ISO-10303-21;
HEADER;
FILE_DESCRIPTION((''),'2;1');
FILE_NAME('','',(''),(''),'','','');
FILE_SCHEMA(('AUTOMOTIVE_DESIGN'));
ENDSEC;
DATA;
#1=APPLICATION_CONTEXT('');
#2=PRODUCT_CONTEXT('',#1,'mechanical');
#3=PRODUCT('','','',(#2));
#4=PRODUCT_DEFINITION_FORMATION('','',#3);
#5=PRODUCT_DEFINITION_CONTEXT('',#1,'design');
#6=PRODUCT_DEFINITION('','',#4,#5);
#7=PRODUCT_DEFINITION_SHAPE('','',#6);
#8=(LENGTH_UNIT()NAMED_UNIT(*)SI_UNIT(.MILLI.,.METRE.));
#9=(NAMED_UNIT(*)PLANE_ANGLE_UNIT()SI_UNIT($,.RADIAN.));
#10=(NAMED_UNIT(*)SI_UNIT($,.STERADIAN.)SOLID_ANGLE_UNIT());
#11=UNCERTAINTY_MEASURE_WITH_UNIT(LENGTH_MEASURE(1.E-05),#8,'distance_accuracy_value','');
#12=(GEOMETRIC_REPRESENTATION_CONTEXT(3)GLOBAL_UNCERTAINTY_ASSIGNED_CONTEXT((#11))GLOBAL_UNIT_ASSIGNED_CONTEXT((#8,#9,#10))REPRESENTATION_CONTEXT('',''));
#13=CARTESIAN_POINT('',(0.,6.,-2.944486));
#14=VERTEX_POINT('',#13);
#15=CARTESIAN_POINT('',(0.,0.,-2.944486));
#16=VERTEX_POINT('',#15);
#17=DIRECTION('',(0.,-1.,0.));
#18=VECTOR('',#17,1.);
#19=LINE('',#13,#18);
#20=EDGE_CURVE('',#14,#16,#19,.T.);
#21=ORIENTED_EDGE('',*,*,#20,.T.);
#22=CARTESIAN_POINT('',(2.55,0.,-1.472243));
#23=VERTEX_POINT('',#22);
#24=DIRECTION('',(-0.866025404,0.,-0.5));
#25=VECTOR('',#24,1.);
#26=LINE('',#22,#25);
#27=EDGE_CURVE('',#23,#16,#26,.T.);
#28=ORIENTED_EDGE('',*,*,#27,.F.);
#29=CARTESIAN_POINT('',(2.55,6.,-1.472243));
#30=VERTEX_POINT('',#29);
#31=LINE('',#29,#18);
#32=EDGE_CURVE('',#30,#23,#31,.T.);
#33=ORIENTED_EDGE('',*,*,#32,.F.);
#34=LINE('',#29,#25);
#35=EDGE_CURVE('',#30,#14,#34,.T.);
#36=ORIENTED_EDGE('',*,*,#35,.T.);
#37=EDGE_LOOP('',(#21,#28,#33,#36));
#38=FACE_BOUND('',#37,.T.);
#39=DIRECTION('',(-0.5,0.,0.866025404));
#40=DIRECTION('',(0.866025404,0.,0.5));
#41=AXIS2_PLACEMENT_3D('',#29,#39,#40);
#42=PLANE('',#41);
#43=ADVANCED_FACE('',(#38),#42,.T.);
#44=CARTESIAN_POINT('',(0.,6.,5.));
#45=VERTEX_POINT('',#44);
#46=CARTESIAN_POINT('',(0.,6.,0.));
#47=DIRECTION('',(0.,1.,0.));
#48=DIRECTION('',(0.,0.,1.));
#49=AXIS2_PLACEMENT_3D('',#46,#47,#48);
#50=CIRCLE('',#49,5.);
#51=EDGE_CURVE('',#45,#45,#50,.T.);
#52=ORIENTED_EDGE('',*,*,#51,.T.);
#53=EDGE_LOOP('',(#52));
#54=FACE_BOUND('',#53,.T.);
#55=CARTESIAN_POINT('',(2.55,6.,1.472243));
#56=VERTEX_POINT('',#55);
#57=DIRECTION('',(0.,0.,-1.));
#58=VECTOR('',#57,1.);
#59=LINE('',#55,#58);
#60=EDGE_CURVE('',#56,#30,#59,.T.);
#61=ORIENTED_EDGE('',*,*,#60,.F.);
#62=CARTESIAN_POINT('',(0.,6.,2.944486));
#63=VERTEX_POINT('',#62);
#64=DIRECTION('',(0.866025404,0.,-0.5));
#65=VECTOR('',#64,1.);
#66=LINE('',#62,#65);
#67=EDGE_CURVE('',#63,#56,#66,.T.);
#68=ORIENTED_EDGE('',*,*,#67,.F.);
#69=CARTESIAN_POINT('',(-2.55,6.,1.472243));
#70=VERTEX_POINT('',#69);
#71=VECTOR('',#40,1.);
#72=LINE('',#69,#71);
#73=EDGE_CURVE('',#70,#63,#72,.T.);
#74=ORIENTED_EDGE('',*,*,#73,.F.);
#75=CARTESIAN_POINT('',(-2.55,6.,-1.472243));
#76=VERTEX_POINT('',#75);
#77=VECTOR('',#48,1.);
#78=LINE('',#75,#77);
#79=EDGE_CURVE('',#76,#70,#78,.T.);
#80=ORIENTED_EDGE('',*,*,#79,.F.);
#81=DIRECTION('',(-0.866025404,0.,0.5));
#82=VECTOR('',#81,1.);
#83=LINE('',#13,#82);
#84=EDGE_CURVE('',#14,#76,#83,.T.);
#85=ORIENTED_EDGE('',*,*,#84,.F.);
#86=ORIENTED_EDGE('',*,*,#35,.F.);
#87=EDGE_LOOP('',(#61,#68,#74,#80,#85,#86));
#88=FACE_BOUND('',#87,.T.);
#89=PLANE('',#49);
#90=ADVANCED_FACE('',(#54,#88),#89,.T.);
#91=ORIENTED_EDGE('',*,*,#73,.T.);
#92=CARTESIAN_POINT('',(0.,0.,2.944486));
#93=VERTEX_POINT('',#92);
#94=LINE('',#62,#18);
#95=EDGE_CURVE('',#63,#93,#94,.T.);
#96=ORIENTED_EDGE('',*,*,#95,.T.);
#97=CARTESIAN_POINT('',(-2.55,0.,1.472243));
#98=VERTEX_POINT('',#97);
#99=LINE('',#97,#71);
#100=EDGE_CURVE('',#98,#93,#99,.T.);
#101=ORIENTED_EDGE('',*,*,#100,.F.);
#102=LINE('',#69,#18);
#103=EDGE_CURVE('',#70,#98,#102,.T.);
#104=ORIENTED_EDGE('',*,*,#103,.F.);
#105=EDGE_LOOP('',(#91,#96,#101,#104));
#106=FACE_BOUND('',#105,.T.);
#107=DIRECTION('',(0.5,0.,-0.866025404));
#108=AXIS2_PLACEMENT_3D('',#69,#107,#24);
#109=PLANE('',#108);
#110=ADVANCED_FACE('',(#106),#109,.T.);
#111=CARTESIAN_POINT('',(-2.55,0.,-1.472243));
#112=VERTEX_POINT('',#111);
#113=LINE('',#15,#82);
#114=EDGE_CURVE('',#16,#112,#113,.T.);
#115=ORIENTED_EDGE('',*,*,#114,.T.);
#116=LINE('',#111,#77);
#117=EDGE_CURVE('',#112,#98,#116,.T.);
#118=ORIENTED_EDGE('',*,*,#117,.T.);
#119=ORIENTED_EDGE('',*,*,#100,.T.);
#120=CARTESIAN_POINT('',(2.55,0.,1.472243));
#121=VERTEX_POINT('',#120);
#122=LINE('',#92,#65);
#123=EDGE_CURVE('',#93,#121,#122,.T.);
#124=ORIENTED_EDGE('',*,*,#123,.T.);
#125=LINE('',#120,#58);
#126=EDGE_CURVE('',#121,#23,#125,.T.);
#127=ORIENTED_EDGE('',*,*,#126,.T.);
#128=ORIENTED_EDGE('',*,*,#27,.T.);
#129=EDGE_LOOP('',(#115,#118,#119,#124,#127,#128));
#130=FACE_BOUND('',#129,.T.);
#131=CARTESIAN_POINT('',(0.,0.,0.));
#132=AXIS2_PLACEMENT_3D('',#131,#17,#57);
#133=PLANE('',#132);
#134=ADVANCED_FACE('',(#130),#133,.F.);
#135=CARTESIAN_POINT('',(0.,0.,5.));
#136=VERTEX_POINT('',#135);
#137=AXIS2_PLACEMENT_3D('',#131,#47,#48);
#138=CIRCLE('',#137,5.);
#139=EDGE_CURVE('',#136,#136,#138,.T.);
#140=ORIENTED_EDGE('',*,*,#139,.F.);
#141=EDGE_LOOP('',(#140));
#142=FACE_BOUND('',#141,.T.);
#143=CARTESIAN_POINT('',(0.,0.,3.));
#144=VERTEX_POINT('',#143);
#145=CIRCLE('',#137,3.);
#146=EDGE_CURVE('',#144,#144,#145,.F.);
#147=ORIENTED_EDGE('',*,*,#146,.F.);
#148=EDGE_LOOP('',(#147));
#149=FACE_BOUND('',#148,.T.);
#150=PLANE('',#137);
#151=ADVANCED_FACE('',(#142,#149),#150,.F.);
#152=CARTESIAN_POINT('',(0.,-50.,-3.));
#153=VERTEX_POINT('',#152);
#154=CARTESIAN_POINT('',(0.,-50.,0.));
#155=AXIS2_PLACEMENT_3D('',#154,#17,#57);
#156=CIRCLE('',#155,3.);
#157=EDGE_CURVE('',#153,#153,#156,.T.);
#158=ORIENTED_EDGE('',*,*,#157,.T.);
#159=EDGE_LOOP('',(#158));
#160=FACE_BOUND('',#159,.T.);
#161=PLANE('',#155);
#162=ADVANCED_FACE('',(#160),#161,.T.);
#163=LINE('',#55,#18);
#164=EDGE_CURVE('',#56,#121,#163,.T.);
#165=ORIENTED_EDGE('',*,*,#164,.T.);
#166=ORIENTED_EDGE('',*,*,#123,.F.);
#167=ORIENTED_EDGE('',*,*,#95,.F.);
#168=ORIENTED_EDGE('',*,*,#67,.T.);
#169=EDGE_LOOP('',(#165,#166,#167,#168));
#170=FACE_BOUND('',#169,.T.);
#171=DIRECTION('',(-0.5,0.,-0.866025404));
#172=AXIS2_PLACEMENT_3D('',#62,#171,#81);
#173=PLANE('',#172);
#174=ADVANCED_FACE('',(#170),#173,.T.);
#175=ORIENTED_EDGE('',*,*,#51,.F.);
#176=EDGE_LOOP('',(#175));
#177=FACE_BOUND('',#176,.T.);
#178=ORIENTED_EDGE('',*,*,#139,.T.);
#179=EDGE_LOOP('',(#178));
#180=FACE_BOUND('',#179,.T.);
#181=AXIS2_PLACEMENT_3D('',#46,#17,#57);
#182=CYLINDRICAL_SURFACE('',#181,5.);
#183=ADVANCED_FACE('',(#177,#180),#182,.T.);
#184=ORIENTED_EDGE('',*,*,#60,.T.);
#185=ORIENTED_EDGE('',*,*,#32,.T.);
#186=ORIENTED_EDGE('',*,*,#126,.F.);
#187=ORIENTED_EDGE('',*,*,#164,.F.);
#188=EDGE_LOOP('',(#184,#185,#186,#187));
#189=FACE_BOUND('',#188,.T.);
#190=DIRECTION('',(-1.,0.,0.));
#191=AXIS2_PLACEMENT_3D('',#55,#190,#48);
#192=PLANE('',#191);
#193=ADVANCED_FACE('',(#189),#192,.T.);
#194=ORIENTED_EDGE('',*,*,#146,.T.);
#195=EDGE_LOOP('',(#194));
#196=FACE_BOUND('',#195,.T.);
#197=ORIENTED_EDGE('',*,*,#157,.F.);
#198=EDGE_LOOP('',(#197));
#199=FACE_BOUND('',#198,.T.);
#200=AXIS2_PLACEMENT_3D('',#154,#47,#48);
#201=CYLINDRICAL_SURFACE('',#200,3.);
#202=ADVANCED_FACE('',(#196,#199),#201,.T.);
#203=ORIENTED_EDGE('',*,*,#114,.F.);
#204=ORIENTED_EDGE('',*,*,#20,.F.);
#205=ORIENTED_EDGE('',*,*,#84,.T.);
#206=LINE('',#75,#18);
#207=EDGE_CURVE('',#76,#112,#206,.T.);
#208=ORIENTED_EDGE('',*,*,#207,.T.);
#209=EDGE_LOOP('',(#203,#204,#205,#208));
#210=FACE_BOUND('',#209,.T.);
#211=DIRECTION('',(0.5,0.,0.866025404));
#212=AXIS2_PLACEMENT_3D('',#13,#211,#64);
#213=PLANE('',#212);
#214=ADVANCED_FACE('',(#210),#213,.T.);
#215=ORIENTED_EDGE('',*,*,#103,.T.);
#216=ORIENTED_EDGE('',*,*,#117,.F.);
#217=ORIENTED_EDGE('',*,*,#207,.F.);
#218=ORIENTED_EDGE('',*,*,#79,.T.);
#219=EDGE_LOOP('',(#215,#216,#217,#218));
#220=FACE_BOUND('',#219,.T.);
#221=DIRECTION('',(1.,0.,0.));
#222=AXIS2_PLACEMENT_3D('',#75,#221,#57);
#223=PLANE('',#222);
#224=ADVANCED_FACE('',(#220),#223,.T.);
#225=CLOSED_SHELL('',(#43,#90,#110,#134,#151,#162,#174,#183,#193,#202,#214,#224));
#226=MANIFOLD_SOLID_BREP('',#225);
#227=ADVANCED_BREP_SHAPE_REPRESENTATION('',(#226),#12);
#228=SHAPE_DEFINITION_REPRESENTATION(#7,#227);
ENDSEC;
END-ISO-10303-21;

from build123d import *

# Parameters (mm, degrees)
SKETCH_1_R      = 5
EXTRUDE_1_DEPTH = 6
SKETCH_2_R      = 3
EXTRUDE_2_DEPTH = 50


with BuildPart() as part:
    # Эскиз1 → Вытянуть1 (new body)
    with BuildSketch(Plane(origin=(0, 0, 0), x_dir=(1, 0, 0), z_dir=(0, 1, 0))):
        with Locations(Location((0, 0, 0), (0, 0, 270))):
            Circle(SKETCH_1_R)
        Polygon((0, -2.944486373), (2.55, -1.472243186), (2.55, 1.472243186), (0, 2.944486373), (-2.55, 1.472243186), (-2.55, -1.472243186), align=None, mode=Mode.SUBTRACT)
    extrude(amount=EXTRUDE_1_DEPTH)

    # Эскиз2 → Вытянуть2 (add)
    with BuildSketch(Plane.XZ):
        with Locations(Location((0, 0, 0), (0, 0, 90))):
            Circle(SKETCH_2_R)
    extrude(amount=EXTRUDE_2_DEPTH)


solid = part.part
